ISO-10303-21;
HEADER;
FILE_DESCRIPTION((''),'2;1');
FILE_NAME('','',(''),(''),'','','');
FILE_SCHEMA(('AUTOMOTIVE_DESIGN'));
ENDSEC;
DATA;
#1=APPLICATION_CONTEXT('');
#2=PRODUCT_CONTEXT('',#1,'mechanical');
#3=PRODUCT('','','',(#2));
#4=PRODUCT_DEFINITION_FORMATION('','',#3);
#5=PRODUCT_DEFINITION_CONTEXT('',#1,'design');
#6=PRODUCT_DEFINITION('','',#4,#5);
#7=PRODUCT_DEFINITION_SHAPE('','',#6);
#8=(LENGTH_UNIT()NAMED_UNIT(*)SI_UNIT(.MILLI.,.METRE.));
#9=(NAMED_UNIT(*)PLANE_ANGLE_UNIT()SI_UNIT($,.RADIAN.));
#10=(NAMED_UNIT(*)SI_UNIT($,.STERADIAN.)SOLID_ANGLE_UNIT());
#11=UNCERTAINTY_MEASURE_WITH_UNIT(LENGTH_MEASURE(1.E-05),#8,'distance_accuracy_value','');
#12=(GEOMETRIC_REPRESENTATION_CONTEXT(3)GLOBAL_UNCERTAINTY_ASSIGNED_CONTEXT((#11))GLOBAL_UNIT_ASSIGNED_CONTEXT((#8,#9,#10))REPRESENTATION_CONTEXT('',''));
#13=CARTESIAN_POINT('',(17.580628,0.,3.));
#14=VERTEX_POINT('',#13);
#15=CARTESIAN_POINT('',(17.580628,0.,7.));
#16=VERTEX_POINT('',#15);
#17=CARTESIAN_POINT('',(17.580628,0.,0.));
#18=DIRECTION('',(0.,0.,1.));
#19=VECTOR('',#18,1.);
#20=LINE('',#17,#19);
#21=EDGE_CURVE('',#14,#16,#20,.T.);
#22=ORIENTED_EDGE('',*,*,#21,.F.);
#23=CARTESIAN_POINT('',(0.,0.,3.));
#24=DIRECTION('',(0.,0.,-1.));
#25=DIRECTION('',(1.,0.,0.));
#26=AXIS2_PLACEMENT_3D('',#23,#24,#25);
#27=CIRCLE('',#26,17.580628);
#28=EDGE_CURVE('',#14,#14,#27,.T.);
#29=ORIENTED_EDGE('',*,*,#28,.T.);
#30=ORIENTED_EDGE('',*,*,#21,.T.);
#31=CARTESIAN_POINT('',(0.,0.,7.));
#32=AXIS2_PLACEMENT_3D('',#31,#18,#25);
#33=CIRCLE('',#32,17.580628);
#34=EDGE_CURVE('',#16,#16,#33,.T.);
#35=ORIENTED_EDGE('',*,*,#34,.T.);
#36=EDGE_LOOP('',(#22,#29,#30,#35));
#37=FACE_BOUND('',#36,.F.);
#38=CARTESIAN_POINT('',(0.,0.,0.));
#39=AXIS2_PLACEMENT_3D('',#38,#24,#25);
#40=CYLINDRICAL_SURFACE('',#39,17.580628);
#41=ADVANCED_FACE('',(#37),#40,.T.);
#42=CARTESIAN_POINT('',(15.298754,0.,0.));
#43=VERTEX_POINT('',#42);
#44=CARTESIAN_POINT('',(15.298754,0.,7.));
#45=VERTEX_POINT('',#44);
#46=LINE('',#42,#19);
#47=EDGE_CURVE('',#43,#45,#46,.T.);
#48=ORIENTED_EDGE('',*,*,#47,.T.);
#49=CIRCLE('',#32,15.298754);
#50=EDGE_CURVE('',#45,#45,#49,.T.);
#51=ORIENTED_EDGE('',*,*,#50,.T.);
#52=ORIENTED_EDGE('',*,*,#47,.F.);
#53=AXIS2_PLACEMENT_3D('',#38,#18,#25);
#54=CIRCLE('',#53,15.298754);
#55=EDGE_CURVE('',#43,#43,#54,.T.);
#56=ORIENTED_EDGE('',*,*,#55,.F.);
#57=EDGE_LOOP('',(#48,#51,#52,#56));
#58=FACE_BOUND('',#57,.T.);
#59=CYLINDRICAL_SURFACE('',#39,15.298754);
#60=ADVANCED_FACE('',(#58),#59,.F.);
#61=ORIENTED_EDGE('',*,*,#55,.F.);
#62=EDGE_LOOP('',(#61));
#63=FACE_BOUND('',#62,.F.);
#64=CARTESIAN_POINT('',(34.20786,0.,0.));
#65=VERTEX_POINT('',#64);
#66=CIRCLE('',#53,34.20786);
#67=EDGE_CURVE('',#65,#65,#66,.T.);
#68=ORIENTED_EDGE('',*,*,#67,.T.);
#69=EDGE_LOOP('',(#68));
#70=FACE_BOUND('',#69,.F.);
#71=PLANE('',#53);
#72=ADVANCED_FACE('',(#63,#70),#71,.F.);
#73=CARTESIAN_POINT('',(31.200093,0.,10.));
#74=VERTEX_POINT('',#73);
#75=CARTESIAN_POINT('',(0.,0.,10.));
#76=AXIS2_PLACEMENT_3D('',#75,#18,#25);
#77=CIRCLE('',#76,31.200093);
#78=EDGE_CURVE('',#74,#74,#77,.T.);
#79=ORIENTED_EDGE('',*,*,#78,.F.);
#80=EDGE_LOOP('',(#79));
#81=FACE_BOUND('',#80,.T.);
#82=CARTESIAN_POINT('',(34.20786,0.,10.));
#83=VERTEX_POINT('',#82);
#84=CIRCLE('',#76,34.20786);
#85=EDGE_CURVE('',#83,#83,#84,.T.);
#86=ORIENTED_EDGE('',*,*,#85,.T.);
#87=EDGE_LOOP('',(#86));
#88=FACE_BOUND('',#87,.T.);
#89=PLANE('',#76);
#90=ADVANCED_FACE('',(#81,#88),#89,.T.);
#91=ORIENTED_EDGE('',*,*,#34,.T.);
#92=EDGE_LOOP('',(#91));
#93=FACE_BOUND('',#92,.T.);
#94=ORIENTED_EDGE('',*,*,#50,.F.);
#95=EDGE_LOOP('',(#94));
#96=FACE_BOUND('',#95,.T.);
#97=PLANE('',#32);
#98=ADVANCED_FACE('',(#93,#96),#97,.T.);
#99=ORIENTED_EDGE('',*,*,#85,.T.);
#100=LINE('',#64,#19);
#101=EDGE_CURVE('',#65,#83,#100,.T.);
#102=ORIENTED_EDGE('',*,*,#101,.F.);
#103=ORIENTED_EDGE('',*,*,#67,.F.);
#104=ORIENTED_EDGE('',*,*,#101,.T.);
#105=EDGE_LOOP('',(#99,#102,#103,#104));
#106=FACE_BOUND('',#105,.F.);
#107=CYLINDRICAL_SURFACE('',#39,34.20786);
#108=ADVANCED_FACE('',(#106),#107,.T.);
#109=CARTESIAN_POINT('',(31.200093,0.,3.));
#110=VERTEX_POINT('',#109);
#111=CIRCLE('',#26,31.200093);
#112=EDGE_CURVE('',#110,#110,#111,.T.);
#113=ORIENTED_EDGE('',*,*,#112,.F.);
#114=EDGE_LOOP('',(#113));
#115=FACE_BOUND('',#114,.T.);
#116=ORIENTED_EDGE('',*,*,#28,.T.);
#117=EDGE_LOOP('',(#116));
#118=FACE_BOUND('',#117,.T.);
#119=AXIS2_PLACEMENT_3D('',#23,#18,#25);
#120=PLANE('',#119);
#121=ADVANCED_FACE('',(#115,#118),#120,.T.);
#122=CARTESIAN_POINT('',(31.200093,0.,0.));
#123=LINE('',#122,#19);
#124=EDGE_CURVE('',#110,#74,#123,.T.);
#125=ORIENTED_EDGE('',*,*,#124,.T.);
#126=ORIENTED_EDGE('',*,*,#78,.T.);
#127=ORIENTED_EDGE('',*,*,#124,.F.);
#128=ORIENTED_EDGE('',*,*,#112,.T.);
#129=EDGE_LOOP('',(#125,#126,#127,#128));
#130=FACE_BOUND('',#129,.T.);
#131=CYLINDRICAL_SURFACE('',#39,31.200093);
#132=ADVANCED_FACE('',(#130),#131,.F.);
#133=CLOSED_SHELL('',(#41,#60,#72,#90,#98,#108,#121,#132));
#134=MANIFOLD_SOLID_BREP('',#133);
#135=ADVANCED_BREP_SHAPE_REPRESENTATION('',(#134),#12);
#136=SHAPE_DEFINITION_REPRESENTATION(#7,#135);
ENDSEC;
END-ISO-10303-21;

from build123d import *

# Parameters (mm, degrees)
F0_R     = 34.20786
F0_R_2   = 31.200093
F1_DEPTH = 10
F2_R     = 33.653602
F2_R_2   = 15.364183
F3_DEPTH = 3
F4_R     = 17.580628
F4_R_2   = 15.298754
F5_DEPTH = 7


with BuildPart() as f1:
    # F0 (on Top) → F1 (new body)
    with BuildSketch(Plane.XY):
        Circle(F0_R)
        Circle(F0_R_2, mode=Mode.SUBTRACT)
    extrude(amount=F1_DEPTH)

    # F2 (on Top) → F3 (join)
    with BuildSketch(Plane.XY):
        Circle(F2_R)
        Circle(F2_R_2, mode=Mode.SUBTRACT)
    extrude(amount=F3_DEPTH)

    # F4 (on Top) → F5 (join)
    with BuildSketch(Plane.XY):
        Circle(F4_R)
        Circle(F4_R_2, mode=Mode.SUBTRACT)
    extrude(amount=F5_DEPTH)


solid = f1.part
